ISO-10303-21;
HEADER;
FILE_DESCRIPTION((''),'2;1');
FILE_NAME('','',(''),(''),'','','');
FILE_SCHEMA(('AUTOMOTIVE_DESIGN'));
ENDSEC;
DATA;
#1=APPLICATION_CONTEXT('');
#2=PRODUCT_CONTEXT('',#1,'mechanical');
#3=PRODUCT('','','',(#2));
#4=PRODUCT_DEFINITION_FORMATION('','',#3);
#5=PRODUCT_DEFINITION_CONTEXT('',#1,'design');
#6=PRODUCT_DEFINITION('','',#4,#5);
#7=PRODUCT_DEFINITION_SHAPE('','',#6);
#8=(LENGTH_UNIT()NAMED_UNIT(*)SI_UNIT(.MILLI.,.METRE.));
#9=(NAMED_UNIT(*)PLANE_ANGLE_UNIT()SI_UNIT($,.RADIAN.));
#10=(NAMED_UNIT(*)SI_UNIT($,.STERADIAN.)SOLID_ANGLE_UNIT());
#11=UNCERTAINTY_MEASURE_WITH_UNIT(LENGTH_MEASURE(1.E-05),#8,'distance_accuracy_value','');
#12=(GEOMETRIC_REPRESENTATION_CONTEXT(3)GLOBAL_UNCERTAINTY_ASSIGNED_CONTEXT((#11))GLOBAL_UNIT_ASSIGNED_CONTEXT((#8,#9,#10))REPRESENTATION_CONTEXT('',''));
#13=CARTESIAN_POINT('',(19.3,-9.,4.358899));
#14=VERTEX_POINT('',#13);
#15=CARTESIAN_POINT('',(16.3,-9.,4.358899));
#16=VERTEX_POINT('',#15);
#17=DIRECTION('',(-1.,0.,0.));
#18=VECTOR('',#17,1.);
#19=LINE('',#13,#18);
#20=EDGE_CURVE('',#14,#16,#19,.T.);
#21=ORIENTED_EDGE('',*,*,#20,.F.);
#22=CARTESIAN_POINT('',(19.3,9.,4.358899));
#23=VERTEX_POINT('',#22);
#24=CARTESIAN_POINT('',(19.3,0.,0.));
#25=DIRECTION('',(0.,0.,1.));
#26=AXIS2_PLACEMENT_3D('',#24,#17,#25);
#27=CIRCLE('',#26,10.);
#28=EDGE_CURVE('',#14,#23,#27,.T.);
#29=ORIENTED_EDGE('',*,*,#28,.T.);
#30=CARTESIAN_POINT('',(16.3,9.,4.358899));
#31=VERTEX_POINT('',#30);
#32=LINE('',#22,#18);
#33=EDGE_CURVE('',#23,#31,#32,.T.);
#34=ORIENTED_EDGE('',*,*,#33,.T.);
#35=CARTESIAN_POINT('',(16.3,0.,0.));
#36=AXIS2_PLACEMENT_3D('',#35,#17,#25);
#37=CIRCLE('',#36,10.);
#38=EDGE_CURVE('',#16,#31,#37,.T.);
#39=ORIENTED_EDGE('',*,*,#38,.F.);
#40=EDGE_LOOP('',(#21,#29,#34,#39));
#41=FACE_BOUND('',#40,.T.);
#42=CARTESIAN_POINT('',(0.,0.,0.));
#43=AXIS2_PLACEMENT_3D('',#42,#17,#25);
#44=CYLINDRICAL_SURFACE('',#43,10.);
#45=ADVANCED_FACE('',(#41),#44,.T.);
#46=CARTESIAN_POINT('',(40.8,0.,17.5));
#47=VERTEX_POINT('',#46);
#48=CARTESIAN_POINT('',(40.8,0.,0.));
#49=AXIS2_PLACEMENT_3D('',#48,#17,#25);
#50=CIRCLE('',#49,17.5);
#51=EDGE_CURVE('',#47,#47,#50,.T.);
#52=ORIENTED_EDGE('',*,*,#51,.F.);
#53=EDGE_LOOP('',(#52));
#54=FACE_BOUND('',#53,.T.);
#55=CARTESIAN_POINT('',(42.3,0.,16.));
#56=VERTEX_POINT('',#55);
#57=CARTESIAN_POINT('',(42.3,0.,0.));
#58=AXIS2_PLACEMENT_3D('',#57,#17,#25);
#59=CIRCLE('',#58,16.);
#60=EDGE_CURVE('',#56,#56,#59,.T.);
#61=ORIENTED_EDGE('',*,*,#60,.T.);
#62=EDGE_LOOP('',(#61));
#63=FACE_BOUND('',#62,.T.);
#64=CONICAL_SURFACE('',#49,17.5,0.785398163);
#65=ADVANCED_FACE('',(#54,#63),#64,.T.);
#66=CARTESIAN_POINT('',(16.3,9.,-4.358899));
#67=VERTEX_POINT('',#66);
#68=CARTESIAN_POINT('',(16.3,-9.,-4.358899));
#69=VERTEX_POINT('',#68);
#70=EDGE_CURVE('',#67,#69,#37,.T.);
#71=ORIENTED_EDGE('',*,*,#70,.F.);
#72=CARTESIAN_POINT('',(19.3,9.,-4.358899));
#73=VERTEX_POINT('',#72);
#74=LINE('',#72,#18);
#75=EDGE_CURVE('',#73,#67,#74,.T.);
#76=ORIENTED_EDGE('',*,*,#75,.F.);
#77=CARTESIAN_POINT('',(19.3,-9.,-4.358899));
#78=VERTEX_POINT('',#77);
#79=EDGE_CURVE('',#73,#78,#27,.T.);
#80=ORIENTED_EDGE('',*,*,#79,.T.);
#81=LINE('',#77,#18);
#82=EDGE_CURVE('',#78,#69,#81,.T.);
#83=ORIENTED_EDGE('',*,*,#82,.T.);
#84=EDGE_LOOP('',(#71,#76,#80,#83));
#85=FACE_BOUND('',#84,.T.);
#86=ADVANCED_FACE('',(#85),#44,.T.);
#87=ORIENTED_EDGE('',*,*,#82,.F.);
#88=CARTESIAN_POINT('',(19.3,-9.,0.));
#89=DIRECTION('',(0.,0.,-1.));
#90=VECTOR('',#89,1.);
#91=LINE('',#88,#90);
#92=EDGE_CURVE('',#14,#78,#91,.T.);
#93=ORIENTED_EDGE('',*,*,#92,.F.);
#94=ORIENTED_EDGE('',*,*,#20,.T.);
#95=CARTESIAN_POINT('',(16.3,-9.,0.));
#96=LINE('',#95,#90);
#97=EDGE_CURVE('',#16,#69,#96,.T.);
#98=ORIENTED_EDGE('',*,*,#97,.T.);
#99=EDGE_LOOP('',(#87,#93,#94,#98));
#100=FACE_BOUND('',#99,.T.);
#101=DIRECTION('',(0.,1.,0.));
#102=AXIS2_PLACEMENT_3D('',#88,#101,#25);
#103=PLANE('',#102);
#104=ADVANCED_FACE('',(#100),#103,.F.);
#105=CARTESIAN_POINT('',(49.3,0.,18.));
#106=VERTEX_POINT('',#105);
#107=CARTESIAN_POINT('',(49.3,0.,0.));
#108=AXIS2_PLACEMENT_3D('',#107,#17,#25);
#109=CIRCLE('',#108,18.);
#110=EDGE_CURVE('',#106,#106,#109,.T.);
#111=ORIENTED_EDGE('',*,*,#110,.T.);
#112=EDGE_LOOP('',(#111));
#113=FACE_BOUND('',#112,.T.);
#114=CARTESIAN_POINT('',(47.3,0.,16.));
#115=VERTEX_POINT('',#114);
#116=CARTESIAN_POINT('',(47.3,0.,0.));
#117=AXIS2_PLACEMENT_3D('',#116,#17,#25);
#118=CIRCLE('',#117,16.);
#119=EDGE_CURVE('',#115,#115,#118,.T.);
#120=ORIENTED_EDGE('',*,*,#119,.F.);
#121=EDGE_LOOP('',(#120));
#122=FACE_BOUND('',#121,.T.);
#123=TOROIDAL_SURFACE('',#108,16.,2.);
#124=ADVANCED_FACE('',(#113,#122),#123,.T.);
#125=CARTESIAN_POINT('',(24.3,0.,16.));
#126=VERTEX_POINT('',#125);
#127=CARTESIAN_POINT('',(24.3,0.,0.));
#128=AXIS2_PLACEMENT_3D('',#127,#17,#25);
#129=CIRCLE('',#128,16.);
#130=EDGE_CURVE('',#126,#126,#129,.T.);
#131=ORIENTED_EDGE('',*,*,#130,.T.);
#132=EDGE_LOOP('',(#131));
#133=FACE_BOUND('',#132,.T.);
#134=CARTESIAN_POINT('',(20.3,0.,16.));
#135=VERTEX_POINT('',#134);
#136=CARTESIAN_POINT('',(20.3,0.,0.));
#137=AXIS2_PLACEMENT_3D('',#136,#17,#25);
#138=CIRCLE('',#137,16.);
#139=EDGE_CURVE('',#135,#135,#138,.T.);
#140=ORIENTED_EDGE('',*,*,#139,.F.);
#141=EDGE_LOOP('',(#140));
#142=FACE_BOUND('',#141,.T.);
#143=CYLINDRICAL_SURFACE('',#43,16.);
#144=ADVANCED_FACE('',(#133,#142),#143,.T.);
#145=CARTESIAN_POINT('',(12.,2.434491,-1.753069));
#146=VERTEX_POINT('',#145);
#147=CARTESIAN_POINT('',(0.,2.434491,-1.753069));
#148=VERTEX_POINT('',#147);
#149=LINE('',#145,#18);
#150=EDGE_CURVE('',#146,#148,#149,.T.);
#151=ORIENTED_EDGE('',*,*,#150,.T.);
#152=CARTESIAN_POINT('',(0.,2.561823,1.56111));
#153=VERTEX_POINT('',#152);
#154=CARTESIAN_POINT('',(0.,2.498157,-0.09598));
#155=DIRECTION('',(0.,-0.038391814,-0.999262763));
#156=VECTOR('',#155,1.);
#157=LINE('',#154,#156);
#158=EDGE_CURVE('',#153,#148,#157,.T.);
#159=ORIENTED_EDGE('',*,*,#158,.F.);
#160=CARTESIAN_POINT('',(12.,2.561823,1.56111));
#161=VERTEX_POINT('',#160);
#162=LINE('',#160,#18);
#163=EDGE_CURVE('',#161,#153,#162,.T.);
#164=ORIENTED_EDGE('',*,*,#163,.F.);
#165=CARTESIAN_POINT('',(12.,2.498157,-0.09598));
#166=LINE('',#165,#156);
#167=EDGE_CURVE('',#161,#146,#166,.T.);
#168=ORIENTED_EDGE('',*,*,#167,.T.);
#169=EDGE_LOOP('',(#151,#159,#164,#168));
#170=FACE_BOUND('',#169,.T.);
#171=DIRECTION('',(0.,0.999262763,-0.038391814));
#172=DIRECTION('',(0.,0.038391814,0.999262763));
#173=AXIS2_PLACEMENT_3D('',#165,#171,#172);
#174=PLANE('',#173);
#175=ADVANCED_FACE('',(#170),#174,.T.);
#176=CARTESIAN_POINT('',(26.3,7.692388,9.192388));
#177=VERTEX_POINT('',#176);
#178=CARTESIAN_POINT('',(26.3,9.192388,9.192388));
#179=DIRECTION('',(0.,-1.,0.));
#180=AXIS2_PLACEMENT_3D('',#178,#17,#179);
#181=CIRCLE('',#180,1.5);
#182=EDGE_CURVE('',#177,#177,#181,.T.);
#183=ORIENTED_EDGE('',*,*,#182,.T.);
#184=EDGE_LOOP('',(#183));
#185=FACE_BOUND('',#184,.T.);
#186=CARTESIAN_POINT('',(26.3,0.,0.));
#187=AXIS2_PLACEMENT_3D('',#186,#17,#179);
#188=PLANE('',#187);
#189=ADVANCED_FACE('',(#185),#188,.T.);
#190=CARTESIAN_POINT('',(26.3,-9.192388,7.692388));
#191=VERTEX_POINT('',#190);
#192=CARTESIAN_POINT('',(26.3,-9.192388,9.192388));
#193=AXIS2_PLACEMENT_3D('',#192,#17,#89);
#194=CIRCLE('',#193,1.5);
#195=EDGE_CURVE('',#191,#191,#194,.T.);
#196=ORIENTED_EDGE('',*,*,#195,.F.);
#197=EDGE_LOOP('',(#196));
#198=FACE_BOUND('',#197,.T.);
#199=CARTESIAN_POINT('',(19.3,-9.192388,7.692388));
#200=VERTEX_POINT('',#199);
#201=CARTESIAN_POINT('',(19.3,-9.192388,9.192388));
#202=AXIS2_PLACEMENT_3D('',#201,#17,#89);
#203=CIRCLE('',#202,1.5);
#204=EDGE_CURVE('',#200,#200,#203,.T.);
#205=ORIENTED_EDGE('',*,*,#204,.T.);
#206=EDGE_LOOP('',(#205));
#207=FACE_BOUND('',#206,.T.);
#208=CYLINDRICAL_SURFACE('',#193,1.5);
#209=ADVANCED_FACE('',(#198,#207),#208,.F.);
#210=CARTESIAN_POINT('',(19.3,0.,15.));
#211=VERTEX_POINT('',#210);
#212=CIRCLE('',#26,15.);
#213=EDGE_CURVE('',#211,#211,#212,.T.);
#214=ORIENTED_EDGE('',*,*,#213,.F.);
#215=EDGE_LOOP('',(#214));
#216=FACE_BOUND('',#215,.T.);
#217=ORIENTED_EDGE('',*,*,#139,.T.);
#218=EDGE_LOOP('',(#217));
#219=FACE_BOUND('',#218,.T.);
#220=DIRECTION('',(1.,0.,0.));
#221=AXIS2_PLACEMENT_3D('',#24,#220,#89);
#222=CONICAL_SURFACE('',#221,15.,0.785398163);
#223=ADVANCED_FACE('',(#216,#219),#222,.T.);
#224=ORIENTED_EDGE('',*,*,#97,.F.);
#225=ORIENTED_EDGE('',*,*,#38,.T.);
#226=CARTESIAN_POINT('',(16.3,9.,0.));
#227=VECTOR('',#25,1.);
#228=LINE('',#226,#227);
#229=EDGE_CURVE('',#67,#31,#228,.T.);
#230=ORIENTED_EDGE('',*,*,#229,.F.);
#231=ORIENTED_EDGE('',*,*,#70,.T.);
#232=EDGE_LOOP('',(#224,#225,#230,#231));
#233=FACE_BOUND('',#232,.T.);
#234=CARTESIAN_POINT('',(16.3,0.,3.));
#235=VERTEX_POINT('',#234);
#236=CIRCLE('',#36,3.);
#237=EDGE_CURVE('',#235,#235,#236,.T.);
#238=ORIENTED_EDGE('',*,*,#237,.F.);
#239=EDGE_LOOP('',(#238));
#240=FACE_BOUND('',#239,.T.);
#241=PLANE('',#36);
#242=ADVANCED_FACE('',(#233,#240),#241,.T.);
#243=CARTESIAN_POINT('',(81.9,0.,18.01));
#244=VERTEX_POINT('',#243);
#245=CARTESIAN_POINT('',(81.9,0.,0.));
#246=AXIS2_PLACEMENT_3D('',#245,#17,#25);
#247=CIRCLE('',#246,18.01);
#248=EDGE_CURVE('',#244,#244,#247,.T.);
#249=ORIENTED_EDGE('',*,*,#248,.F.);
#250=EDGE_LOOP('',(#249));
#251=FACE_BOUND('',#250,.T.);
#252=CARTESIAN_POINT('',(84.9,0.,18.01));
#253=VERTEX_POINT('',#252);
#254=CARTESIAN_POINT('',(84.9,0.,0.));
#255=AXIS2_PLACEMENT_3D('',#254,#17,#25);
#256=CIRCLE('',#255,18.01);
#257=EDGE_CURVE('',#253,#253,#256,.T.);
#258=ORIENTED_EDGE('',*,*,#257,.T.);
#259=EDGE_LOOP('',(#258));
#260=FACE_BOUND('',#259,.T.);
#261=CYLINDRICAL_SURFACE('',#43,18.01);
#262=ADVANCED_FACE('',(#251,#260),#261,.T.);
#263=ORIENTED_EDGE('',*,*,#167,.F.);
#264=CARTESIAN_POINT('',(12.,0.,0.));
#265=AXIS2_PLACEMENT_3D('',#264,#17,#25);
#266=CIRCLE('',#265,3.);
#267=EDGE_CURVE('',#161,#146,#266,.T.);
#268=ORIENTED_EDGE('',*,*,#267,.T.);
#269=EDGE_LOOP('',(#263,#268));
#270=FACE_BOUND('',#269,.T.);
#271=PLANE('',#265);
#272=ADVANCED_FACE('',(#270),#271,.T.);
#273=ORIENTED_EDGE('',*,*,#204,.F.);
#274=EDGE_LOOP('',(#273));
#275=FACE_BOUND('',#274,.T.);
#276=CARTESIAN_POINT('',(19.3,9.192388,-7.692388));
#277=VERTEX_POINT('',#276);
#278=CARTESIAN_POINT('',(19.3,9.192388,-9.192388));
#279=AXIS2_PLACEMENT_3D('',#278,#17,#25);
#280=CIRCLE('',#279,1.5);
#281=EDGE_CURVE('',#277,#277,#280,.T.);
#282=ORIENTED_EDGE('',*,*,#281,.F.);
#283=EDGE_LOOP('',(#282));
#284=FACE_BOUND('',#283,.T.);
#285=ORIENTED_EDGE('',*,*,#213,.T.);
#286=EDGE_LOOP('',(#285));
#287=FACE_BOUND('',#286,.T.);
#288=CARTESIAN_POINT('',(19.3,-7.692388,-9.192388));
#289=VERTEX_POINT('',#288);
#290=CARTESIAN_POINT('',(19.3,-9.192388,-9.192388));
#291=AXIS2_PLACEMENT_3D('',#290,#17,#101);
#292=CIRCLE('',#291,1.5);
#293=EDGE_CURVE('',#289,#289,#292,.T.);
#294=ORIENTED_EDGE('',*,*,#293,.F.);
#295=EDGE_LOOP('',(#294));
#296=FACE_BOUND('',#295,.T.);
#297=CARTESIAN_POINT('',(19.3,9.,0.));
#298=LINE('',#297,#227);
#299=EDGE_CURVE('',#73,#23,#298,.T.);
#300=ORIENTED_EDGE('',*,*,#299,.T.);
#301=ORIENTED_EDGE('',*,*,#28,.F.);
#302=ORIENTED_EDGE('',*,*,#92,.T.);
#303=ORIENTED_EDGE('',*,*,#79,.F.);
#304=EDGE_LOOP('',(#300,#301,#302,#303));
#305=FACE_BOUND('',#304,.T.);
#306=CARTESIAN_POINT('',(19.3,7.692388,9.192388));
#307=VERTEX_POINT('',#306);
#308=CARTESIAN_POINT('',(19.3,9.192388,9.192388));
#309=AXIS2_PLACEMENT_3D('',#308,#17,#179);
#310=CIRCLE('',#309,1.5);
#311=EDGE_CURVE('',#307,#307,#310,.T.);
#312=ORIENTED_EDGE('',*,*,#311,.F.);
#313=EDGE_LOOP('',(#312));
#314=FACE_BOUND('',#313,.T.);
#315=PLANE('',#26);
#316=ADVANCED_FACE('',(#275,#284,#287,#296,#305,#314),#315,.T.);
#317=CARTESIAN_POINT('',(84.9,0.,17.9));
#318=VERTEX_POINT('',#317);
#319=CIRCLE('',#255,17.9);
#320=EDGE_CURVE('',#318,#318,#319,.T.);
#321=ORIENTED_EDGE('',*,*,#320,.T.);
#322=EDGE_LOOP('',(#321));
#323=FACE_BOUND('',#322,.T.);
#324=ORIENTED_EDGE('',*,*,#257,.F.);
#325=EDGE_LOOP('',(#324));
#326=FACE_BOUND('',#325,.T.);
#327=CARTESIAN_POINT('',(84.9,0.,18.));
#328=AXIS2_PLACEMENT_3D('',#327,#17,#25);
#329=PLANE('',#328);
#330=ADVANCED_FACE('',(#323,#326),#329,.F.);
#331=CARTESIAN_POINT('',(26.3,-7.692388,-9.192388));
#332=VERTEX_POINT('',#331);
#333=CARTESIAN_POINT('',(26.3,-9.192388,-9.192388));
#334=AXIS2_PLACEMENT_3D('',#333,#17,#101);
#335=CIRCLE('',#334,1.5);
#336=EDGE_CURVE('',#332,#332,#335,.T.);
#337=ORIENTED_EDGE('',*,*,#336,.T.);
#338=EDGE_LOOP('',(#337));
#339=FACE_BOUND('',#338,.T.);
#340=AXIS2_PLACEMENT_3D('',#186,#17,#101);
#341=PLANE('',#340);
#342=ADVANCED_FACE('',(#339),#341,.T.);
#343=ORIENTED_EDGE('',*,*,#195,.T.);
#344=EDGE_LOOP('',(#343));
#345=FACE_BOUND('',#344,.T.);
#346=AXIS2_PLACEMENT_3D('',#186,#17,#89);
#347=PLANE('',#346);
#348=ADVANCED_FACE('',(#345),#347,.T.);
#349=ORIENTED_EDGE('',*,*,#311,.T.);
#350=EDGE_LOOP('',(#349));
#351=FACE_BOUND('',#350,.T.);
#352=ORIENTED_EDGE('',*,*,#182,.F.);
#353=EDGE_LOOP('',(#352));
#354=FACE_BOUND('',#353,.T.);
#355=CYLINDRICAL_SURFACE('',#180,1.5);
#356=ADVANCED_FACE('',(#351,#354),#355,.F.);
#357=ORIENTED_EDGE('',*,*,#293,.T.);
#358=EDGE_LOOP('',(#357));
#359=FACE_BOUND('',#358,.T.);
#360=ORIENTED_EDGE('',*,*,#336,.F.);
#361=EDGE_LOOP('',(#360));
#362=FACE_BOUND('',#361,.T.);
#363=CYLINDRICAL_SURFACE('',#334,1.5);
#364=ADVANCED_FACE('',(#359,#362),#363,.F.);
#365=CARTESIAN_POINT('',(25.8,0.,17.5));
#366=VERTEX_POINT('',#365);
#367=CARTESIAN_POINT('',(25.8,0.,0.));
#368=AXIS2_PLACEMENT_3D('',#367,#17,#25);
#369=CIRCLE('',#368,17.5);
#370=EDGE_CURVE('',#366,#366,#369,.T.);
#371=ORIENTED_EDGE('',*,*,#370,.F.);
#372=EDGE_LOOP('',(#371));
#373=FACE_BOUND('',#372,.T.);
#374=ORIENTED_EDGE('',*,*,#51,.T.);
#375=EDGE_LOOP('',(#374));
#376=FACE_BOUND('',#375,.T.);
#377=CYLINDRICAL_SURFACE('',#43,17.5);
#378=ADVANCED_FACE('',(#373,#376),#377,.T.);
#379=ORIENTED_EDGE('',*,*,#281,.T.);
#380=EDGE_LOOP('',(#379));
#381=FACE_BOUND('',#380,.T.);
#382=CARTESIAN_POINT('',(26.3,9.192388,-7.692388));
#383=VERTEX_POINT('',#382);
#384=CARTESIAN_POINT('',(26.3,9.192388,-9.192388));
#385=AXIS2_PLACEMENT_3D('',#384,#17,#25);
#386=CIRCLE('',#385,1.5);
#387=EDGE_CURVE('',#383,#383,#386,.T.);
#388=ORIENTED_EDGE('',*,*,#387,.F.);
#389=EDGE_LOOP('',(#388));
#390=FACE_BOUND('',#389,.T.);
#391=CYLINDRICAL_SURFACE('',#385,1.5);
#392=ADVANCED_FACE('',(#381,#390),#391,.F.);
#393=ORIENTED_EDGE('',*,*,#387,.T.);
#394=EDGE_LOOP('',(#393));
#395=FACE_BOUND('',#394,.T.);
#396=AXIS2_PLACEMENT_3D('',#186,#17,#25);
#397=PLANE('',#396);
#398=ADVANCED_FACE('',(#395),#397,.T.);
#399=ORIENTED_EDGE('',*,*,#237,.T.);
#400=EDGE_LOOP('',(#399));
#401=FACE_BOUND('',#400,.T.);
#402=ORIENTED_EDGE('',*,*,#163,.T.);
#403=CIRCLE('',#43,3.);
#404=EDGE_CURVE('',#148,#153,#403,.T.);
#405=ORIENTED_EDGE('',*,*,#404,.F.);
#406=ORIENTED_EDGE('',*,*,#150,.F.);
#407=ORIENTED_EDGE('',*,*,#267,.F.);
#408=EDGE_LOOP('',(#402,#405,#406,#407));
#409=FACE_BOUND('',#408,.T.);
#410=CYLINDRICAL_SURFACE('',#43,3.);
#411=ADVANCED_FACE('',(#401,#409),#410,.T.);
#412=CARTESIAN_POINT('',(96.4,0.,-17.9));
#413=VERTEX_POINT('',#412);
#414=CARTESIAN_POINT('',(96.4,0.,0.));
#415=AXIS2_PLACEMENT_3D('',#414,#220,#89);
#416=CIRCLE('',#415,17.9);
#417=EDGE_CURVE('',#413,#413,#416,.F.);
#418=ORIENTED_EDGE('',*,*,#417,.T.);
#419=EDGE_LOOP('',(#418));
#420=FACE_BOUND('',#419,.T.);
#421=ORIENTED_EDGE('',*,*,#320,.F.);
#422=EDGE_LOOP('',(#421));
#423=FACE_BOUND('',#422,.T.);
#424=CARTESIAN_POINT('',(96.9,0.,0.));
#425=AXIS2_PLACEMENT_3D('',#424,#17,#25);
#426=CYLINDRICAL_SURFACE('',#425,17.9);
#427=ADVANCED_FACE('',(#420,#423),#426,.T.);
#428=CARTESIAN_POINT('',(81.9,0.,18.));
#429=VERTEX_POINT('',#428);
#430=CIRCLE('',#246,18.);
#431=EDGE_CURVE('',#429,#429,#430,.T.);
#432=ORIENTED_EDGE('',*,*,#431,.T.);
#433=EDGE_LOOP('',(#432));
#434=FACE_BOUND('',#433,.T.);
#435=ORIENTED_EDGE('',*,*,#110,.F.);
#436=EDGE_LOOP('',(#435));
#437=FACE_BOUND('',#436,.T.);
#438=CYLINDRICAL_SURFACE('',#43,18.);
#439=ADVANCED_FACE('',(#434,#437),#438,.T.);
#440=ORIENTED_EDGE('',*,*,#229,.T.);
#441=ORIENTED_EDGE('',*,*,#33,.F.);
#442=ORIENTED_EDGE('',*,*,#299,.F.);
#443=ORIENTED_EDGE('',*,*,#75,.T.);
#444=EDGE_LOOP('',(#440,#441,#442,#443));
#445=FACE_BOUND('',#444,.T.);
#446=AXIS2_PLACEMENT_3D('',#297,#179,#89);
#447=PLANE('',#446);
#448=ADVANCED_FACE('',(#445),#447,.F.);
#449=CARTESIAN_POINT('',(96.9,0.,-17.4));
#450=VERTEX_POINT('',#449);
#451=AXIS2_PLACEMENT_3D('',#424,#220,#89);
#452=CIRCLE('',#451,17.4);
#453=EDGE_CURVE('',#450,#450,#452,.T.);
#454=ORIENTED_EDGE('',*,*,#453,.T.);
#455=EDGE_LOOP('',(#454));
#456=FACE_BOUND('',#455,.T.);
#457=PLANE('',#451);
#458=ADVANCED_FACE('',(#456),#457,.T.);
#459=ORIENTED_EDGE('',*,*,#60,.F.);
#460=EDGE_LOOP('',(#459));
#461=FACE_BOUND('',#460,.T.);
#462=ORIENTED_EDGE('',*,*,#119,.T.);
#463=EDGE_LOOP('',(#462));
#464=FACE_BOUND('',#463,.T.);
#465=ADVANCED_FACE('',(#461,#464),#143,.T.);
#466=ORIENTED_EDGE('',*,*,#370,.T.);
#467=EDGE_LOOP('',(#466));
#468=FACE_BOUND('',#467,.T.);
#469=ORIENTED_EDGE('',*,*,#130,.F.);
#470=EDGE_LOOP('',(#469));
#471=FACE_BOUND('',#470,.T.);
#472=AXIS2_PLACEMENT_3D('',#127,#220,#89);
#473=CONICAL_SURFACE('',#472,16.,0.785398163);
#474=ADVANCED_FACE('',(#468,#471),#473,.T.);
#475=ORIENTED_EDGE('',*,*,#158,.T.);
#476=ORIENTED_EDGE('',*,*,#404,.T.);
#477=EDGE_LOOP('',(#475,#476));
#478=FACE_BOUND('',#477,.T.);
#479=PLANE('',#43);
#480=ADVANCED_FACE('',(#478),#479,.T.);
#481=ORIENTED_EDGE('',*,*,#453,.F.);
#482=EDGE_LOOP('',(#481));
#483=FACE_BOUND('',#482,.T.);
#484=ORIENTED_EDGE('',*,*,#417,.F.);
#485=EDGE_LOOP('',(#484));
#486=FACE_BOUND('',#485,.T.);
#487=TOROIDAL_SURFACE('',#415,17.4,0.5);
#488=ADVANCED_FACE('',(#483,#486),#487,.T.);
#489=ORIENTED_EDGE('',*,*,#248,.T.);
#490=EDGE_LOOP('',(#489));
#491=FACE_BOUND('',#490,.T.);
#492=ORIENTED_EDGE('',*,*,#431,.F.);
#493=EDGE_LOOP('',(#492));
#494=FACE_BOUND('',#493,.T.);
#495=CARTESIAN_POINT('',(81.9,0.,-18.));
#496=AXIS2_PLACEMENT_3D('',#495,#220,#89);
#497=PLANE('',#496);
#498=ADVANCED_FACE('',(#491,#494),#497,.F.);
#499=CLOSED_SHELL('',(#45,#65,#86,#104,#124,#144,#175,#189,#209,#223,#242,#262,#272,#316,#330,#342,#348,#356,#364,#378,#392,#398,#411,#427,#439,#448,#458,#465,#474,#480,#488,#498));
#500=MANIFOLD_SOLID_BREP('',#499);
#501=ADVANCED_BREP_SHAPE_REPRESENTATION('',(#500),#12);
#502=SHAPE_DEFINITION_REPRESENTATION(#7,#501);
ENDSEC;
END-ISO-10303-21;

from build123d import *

# Parameters (mm, degrees)
SKETCH_1_W               = 16.3
SKETCH_1_H               = 3
SKETCH_1_W_2             = 5
SKETCH_1_H_2             = 16
SKETCH_4_R               = 18
EXTRUDE_1_DEPTH          = 14
SKETCH_5_R               = 18
CUT_EXTRUDE_2_DEPTH      = 3.5
CUT_EXTRUDE_4_DEPTH      = 12
SKETCH_8_W               = 12
SKETCH_8_H               = 0.1
FILLET_3_R               = 0.5
SKETCH_10_W              = 3
SKETCH_10_H              = 0.01
CUT_EXTRUDE_6_DEPTH      = 3
SKETCH_13_R              = 1.5
CUT_EXTRUDE_8_DEPTH      = 7
PATTERN_CIRCULAR_2_COUNT = 4


with BuildPart() as part:
    # Эскиз1 → Повернуть1 (revolve)
    with BuildSketch(Plane(origin=(0, 0, 0), x_dir=(1, 0, 0), z_dir=(0, 1, 0))):
        with Locations((8.15, 1.5)):
            Rectangle(SKETCH_1_W, SKETCH_1_H)
        Polygon((16.3, 0), (19.3, 0), (19.3, 10), (16.3, 10), (16.3, 3), align=None)
        Polygon((24.3, 0), (24.3, 16), (20.3, 16), (19.3, 15), (19.3, 10), (19.3, 0), align=None)
        Polygon((40.8, 17.5), (42.3, 16), (42.3, 0), (24.3, 0), (24.3, 16), (25.8, 17.5), align=None)
        with Locations((44.8, 8)):
            Rectangle(SKETCH_1_W_2, SKETCH_1_H_2)
        with BuildLine():
            ThreePointArc((47.3, 16), (47.885786438, 17.414213562), (49.3, 18))
            Line((49.3, 18), (86.4, 18))
            Line((86.4, 18), (86.4, 0))
            Line((86.4, 0), (47.3, 0))
            Line((47.3, 0), (47.3, 16))
        make_face()
    revolve(axis=Axis((0, 0, 0), (1, 0, 0)))

    # Эскиз4 → Бобышка-Вытянуть1 (add)
    with BuildSketch(Plane(origin=(86.4, 0, 0), x_dir=(0, 0, -1), z_dir=(1, 0, 0))):
        Circle(SKETCH_4_R)
    extrude(amount=EXTRUDE_1_DEPTH)

    # Эскиз5 → Вырез-Вытянуть2 (cut)
    with BuildSketch(Plane(origin=(100.4, 0, 0), x_dir=(0, 0, -1), z_dir=(1, 0, 0))):
        Circle(SKETCH_5_R)
    extrude(amount=-CUT_EXTRUDE_2_DEPTH, mode=Mode.SUBTRACT)

    # Эскиз6 → Вырез-Вытянуть4 (cut)
    with BuildSketch(Plane.ZY):
        with BuildLine():
            Line((-1.75306936, 2.434491286), (1.561110291, 2.561822527))
            ThreePointArc((1.561110291, 2.561822527), (-0.115175441, 2.997788288), (-1.75306936, 2.434491286))
        make_face()
    extrude(amount=-CUT_EXTRUDE_4_DEPTH, mode=Mode.SUBTRACT)

    # Вырез-По траектории3: sweep along a path in Эскиз9
    with BuildLine(Plane(origin=(96.9, 0, 0), x_dir=(0, 0, -1), z_dir=(1, 0, 0))) as sweep_3_path:
        CenterArc((0, 0), 17.9, 0, 360)
    # Эскиз8 → Вырез-По траектории3 (sweep, cut)
    with BuildSketch(Plane(origin=(0, 0, 0), x_dir=(1, 0, 0), z_dir=(0, 1, 0))):
        with Locations((90.9, -17.95)):
            Rectangle(SKETCH_8_W, SKETCH_8_H)
    sweep(path=sweep_3_path.line, mode=Mode.SUBTRACT)

    # Скругление3
    fillet_3_edges = [part.edges().sort_by_distance(p)[0] for p in [
        (96.9, 0, 17.9),
    ]]
    fillet(fillet_3_edges, radius=FILLET_3_R)

    # Эскиз10 → Повернуть2 (revolve)
    with BuildSketch(Plane(origin=(0, 0, 0), x_dir=(1, 0, 0), z_dir=(0, 1, 0))):
        with Locations((83.4, 18.005)):
            Rectangle(SKETCH_10_W, SKETCH_10_H)
    revolve(axis=Axis((0, 0, 0), (1, 0, 0)))

    # Эскиз11 → Вырез-Вытянуть6 (cut)
    with BuildSketch(Plane.ZY.offset(-16.3)):
        with BuildLine():
            ThreePointArc((4.358898944, 9), (0, 10), (-4.358898944, 9))
            Line((-4.358898944, 9), (4.358898944, 9))
        make_face()
        with BuildLine():
            Line((4.358898944, -9), (-4.358898944, -9))
            ThreePointArc((-4.358898944, -9), (0, -10), (4.358898944, -9))
        make_face()
    extrude(amount=-CUT_EXTRUDE_6_DEPTH, mode=Mode.SUBTRACT)

    # Эскиз13 → Вырез-Вытянуть8 (cut)
    with BuildSketch(Plane.ZY.offset(-19.3)):
        with Locations((-9.192388155, 9.192388155)):
            Circle(SKETCH_13_R)
    cut_extrude_8 = extrude(amount=-CUT_EXTRUDE_8_DEPTH, mode=Mode.SUBTRACT)

    # Круговой массив2: Вырез-Вытянуть8 ×4 about axis
    pattern_circular_2_axis = Axis((0, 0, 0), (1, 0, 0))
    for i in range(1, PATTERN_CIRCULAR_2_COUNT):
        add(cut_extrude_8.rotate(pattern_circular_2_axis, i * 360 / PATTERN_CIRCULAR_2_COUNT), mode=Mode.SUBTRACT)


solid = part.part
